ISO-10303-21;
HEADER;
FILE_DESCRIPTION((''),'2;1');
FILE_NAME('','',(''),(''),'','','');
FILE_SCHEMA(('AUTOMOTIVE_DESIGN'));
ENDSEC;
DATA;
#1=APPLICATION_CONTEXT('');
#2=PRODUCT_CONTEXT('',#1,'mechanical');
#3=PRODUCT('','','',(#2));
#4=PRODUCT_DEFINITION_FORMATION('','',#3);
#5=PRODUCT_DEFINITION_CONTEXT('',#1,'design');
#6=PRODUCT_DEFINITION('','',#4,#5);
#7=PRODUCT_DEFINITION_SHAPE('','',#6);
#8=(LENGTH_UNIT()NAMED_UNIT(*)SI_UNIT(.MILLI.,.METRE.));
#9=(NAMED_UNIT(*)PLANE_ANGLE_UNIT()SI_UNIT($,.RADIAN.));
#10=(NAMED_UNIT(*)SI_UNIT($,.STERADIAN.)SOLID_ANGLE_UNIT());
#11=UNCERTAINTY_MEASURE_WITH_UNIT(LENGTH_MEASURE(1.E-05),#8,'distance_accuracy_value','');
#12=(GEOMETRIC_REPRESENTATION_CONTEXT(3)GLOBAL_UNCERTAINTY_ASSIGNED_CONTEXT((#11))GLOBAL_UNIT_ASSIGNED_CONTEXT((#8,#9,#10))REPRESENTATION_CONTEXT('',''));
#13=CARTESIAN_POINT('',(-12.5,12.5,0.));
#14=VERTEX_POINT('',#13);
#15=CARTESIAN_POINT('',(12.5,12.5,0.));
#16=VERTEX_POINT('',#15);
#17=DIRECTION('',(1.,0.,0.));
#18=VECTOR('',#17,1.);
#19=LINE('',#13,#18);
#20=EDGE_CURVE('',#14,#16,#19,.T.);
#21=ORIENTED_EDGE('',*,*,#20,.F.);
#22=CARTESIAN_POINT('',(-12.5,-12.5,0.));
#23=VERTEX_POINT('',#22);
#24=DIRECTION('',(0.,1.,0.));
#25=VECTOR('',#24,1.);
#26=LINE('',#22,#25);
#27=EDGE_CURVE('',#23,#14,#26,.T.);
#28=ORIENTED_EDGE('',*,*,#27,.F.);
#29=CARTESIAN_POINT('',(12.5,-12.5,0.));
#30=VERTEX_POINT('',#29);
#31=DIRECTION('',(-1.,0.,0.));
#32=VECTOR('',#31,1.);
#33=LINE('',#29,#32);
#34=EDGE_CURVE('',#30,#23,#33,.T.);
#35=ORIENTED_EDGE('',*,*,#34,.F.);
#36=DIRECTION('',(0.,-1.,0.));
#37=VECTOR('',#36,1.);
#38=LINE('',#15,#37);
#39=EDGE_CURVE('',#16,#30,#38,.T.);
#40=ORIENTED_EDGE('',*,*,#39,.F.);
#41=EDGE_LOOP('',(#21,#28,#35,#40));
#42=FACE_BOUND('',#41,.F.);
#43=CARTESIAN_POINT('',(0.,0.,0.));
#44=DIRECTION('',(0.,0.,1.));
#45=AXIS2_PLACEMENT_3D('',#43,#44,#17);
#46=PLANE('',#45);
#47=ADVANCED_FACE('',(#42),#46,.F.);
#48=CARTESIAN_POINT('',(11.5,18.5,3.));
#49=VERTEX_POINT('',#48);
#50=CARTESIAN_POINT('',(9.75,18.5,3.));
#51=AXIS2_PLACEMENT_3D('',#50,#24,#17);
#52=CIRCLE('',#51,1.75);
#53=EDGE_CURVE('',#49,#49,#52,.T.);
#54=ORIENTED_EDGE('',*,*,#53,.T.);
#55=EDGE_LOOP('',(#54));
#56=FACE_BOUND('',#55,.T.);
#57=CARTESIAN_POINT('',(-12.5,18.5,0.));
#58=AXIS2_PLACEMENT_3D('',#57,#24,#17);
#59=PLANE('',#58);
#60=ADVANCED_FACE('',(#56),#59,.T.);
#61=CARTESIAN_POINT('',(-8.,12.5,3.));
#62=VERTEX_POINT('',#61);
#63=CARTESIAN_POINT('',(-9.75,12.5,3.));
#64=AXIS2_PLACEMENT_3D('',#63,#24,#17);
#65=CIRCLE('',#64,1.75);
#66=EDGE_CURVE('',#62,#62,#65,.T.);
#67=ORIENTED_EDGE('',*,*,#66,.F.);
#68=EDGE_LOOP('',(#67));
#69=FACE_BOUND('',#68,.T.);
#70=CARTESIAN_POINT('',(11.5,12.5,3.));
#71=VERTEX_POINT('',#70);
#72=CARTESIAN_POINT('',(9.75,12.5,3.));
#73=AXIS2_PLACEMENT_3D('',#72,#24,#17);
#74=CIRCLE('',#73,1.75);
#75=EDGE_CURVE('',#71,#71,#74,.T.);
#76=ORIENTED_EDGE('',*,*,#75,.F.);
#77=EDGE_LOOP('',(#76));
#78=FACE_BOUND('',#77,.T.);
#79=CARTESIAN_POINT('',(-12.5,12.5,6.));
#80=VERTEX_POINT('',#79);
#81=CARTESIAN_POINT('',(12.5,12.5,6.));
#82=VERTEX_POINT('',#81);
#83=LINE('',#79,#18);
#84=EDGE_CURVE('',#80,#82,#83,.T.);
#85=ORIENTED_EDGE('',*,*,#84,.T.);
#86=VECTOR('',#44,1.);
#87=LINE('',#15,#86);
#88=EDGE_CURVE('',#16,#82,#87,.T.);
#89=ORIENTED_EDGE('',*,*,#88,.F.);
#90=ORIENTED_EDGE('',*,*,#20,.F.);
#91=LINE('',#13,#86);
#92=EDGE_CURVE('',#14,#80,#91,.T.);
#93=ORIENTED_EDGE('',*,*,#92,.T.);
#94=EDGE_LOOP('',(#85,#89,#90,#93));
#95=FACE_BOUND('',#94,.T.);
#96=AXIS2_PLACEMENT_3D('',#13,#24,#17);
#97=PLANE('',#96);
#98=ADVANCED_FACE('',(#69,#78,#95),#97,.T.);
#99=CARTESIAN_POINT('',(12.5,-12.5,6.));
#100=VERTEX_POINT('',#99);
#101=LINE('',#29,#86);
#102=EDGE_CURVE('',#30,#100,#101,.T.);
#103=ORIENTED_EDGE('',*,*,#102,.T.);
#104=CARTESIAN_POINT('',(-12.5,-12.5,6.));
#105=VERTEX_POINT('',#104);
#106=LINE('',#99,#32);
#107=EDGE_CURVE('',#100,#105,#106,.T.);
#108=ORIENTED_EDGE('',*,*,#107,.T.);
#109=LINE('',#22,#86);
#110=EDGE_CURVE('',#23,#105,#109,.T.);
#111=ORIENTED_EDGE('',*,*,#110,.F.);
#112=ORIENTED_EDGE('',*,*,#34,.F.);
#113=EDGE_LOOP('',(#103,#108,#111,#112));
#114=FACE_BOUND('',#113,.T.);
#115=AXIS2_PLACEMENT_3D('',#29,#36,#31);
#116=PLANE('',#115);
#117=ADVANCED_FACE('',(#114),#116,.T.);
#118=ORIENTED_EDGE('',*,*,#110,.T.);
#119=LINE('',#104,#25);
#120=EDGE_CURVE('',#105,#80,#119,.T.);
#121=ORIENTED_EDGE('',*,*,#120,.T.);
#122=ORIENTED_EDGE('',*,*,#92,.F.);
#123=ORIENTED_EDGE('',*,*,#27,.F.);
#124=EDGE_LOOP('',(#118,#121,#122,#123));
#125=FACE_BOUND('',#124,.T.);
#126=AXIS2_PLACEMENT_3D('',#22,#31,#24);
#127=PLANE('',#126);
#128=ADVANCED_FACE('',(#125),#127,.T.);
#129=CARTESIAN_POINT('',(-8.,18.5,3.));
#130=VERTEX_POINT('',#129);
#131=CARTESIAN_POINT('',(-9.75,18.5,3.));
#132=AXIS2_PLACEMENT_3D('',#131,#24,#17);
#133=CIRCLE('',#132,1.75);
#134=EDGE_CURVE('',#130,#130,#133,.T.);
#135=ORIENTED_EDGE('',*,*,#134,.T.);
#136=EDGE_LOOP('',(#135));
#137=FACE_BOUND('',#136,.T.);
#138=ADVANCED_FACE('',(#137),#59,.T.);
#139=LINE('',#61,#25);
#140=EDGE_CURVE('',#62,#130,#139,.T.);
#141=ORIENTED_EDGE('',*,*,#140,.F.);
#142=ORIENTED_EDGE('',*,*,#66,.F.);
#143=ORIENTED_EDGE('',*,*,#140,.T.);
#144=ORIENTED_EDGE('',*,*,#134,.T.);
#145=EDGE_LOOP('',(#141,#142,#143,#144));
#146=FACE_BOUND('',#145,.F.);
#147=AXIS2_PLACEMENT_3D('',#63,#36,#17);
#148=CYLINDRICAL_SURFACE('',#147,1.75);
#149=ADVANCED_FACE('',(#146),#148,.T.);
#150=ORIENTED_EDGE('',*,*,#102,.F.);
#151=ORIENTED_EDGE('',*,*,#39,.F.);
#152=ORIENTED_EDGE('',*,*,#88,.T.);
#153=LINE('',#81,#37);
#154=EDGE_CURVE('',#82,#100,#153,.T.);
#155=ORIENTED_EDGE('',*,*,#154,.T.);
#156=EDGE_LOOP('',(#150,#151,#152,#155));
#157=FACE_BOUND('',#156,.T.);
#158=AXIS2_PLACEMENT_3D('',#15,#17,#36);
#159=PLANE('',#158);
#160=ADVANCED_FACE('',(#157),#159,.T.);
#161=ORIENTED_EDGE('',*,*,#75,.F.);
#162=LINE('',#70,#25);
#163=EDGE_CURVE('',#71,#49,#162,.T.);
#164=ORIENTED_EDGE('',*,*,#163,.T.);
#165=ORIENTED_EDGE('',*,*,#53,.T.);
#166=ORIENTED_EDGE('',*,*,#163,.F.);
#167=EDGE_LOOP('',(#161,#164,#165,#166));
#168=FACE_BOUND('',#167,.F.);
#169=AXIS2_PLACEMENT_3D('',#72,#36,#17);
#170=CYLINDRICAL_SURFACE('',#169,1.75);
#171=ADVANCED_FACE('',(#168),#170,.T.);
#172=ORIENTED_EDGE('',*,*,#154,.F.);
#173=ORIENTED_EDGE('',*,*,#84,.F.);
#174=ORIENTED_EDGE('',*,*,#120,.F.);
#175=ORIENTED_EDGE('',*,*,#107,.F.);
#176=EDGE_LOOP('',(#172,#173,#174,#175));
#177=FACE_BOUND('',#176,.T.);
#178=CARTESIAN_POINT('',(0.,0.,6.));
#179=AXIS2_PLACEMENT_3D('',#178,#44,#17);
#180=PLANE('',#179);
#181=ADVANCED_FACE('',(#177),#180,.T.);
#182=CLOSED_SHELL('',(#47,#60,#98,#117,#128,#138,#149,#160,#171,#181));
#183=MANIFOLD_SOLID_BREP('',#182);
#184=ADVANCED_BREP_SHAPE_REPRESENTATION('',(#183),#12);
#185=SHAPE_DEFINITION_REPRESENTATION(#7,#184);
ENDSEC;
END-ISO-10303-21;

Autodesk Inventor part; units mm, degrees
ref_plane "YZ Plane" through (0, 0, 0) normal (1, 0, 0) x (0, 1, 0)
ref_plane "XZ Plane" through (0, 0, 0) normal (0, 1, 0) x (-1, 0, 0)
ref_plane "XY Plane" through (0, 0, 0) normal (0, 0, 1) x (1, 0, 0)
sketch "Sketch1" plane through (0, 0, 0) normal (0, 0, 1) x (1, 0, 0)
  line L0 (-12.5, 12.5) -> (12.5, 12.5)
  line L1 (12.5, 12.5) -> (12.5, -12.5)
  line L2 (12.5, -12.5) -> (-12.5, -12.5)
  line L3 (-12.5, -12.5) -> (-12.5, 12.5)
  line L4 (-12.5, 12.5) -> (12.5, -12.5) construction
  line L5 (12.5, 12.5) -> (-12.5, -12.5) construction
  point P0 (0, 0)
  dimension "d0" = 25
  dimension "d1" = 25
extrude "Extrusion1" add sketch "Sketch1" along normal blind 6
sketch "Sketch2" plane through (-12.5, 12.5, 0) normal (0, 1, 0) x (1, 0, 0)
  circle A0 centre (2.75, -3) radius 1.75
  circle A1 centre (22.25, -3) radius 1.75
  line L0 (25, -6) -> (0, -6) projected
  line L1 (0, 0) -> (0, -6) projected
  line L2 (25, 0) -> (25, -6) projected
  point P0 (12.5, 0)
  dimension "d4" = 3
  dimension "d5" = 3.5
  dimension "d6" = 3.5
  dimension "d7" = 2.75
  dimension "d8" = 2.75
extrude "Extrusion2" add sketch "Sketch2" along normal blind 6
properties part number "watercoolerpatch"
